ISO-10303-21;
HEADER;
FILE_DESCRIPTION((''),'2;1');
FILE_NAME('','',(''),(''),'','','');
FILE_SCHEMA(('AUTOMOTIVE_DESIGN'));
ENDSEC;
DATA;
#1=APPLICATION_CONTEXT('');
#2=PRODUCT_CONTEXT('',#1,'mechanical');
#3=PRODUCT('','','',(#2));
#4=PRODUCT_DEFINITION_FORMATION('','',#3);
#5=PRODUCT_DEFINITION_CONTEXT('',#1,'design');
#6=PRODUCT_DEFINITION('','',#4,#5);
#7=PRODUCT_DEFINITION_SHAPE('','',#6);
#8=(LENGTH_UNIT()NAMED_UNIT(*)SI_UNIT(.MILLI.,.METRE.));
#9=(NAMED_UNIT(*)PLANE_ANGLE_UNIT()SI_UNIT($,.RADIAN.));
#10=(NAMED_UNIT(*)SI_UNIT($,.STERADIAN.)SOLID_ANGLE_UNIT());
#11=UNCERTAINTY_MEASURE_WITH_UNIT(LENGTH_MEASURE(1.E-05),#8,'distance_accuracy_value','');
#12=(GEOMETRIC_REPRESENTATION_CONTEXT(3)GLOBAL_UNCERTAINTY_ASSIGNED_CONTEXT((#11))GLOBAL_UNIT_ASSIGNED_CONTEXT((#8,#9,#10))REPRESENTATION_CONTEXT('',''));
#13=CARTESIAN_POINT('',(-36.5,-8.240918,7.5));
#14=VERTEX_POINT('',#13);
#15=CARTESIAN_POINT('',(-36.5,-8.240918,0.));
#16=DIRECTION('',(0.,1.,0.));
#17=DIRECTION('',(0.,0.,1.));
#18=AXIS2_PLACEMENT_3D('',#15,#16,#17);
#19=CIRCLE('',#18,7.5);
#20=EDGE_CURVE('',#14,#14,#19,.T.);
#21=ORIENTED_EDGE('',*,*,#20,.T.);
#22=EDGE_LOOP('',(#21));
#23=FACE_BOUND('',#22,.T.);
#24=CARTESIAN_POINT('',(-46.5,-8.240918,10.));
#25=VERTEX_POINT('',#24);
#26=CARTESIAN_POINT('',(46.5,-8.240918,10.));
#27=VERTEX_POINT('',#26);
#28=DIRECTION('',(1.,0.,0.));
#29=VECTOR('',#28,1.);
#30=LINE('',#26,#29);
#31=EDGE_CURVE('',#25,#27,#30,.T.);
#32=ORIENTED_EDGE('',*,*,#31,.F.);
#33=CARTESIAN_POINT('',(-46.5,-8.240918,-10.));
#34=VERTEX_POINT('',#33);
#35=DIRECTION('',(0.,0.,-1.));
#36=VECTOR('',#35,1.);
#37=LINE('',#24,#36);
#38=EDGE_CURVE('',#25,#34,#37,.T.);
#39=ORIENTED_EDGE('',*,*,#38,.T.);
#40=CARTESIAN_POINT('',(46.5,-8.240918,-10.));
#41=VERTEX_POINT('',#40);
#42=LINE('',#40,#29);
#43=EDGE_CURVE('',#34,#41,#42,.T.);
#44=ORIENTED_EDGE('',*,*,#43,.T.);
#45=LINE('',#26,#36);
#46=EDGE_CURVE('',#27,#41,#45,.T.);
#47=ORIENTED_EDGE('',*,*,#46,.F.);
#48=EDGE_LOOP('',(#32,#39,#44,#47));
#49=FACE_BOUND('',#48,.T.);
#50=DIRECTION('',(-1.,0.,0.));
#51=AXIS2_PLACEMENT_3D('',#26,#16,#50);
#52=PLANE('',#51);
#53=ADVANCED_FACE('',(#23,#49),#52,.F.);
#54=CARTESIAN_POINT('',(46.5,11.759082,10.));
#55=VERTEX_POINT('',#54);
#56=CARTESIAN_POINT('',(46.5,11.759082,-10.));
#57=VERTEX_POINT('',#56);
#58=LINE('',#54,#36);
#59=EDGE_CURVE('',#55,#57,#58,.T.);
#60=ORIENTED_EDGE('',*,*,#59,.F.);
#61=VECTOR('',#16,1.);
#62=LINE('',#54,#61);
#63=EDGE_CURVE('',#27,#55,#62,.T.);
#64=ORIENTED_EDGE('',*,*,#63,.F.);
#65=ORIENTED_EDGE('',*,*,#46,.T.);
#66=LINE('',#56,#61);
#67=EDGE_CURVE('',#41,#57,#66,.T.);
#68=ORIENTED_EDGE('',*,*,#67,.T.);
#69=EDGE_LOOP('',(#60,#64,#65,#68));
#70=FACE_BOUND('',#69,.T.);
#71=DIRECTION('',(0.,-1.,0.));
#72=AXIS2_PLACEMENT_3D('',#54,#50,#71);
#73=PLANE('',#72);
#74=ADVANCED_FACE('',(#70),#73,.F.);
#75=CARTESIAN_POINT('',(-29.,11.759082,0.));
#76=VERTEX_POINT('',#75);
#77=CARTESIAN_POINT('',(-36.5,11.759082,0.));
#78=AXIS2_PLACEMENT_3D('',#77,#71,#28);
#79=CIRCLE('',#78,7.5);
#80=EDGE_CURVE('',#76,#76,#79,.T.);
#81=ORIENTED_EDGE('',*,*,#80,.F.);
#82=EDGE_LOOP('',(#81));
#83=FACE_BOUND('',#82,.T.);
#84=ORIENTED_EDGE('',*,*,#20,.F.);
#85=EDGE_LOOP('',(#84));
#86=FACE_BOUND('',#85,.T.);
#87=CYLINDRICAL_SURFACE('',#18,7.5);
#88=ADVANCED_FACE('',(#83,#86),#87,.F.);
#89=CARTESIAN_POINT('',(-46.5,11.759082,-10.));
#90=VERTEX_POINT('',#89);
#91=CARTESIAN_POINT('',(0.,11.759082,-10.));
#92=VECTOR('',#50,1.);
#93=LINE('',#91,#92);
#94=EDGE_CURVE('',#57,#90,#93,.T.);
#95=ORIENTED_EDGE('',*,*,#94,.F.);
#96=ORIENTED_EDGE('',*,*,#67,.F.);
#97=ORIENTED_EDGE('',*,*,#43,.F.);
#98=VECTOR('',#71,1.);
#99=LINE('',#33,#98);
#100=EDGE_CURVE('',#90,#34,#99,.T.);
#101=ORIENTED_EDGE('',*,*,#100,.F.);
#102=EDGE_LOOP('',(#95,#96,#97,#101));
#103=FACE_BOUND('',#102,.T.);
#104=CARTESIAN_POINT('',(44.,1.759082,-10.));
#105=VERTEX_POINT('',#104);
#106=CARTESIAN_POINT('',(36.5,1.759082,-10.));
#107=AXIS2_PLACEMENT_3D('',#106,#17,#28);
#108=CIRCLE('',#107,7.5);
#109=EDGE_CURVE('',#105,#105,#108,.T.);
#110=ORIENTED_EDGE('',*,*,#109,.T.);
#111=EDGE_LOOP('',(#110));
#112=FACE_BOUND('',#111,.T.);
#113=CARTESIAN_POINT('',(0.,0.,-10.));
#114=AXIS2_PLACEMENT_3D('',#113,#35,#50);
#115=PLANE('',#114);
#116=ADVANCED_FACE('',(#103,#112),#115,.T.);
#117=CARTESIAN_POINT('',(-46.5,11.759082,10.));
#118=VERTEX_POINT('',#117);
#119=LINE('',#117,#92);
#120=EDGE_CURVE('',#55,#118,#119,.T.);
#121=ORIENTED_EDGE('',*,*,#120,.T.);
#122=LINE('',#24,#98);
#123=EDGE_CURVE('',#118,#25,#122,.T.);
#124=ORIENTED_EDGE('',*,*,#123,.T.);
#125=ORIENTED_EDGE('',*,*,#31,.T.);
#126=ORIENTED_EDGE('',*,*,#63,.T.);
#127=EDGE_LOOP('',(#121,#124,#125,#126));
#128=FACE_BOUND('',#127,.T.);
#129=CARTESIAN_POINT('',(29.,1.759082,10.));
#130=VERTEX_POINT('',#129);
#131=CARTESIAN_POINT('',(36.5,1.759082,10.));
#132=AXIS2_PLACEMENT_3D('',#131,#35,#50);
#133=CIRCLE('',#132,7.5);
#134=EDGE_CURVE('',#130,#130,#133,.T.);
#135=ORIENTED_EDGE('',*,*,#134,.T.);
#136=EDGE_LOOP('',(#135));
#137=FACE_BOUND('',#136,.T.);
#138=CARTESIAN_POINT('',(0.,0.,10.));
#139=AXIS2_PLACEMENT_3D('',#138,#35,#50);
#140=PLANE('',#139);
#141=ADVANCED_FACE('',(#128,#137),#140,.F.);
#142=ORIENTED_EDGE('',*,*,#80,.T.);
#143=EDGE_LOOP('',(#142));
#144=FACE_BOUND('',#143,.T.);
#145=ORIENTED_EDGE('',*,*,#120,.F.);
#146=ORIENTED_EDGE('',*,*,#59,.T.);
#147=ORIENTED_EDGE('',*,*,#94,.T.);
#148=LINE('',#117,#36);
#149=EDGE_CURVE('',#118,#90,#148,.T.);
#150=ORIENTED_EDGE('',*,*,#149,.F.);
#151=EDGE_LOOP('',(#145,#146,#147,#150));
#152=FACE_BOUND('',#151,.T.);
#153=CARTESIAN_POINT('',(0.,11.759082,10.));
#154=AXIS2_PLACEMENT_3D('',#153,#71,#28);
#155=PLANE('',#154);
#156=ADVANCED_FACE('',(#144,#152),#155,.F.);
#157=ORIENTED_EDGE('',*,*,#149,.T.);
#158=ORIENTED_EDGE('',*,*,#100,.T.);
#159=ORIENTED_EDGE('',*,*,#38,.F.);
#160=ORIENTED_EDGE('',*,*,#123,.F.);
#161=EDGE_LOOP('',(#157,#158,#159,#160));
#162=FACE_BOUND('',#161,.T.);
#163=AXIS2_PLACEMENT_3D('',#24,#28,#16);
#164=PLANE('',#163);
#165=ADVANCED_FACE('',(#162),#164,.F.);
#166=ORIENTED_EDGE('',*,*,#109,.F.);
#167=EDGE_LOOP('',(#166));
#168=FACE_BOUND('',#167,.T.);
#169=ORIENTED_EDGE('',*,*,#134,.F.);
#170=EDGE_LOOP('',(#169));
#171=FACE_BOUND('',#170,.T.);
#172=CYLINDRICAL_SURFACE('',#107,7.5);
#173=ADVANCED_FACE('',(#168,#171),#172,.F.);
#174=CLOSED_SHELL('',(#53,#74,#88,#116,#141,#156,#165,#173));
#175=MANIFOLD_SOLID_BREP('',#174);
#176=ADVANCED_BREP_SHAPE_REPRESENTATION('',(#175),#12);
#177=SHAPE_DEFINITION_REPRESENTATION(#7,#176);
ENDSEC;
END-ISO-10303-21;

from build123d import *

# Parameters (mm, degrees)
SALIENTE_EXTRUIR1_DEPTH    = 10
CROQUIS2_R                 = 7.5
CORTAR_EXTRUIR1_DEPTH      = 1
CORTAR_EXTRUIR1_DEPTH_BACK = 21
CROQUIS3_R                 = 7.5
CORTAR_EXTRUIR2_DEPTH      = 1
CORTAR_EXTRUIR2_DEPTH_BACK = 21


with BuildPart() as part:
    # Croquis1 → Saliente-Extruir1 (new body, symmetric)
    with BuildSketch(Plane.XY):
        Polygon((0, 11.759082218), (46.5, 11.759082218), (46.5, -8.240917782), (-46.5, -8.240917782), (-46.5, 11.759082218), align=None)
    extrude(amount=SALIENTE_EXTRUIR1_DEPTH, both=True)

    # Croquis2 → Cortar-Extruir1 (cut, two sides)
    with BuildSketch(Plane.XY.offset(10)) as cortar_extruir1_sk:
        with Locations((36.5, 1.759082218)):
            Circle(CROQUIS2_R)
    extrude(amount=CORTAR_EXTRUIR1_DEPTH, mode=Mode.SUBTRACT)
    extrude(cortar_extruir1_sk.sketch, amount=-CORTAR_EXTRUIR1_DEPTH_BACK, mode=Mode.SUBTRACT)

    # Croquis3 → Cortar-Extruir2 (cut, two sides)
    with BuildSketch(Plane(origin=(0, 11.759082218, 0), x_dir=(1, 0, 0), z_dir=(0, 1, 0))) as cortar_extruir2_sk:
        with Locations((-36.5, 0)):
            Circle(CROQUIS3_R)
    extrude(amount=CORTAR_EXTRUIR2_DEPTH, mode=Mode.SUBTRACT)
    extrude(cortar_extruir2_sk.sketch, amount=-CORTAR_EXTRUIR2_DEPTH_BACK, mode=Mode.SUBTRACT)


solid = part.part
